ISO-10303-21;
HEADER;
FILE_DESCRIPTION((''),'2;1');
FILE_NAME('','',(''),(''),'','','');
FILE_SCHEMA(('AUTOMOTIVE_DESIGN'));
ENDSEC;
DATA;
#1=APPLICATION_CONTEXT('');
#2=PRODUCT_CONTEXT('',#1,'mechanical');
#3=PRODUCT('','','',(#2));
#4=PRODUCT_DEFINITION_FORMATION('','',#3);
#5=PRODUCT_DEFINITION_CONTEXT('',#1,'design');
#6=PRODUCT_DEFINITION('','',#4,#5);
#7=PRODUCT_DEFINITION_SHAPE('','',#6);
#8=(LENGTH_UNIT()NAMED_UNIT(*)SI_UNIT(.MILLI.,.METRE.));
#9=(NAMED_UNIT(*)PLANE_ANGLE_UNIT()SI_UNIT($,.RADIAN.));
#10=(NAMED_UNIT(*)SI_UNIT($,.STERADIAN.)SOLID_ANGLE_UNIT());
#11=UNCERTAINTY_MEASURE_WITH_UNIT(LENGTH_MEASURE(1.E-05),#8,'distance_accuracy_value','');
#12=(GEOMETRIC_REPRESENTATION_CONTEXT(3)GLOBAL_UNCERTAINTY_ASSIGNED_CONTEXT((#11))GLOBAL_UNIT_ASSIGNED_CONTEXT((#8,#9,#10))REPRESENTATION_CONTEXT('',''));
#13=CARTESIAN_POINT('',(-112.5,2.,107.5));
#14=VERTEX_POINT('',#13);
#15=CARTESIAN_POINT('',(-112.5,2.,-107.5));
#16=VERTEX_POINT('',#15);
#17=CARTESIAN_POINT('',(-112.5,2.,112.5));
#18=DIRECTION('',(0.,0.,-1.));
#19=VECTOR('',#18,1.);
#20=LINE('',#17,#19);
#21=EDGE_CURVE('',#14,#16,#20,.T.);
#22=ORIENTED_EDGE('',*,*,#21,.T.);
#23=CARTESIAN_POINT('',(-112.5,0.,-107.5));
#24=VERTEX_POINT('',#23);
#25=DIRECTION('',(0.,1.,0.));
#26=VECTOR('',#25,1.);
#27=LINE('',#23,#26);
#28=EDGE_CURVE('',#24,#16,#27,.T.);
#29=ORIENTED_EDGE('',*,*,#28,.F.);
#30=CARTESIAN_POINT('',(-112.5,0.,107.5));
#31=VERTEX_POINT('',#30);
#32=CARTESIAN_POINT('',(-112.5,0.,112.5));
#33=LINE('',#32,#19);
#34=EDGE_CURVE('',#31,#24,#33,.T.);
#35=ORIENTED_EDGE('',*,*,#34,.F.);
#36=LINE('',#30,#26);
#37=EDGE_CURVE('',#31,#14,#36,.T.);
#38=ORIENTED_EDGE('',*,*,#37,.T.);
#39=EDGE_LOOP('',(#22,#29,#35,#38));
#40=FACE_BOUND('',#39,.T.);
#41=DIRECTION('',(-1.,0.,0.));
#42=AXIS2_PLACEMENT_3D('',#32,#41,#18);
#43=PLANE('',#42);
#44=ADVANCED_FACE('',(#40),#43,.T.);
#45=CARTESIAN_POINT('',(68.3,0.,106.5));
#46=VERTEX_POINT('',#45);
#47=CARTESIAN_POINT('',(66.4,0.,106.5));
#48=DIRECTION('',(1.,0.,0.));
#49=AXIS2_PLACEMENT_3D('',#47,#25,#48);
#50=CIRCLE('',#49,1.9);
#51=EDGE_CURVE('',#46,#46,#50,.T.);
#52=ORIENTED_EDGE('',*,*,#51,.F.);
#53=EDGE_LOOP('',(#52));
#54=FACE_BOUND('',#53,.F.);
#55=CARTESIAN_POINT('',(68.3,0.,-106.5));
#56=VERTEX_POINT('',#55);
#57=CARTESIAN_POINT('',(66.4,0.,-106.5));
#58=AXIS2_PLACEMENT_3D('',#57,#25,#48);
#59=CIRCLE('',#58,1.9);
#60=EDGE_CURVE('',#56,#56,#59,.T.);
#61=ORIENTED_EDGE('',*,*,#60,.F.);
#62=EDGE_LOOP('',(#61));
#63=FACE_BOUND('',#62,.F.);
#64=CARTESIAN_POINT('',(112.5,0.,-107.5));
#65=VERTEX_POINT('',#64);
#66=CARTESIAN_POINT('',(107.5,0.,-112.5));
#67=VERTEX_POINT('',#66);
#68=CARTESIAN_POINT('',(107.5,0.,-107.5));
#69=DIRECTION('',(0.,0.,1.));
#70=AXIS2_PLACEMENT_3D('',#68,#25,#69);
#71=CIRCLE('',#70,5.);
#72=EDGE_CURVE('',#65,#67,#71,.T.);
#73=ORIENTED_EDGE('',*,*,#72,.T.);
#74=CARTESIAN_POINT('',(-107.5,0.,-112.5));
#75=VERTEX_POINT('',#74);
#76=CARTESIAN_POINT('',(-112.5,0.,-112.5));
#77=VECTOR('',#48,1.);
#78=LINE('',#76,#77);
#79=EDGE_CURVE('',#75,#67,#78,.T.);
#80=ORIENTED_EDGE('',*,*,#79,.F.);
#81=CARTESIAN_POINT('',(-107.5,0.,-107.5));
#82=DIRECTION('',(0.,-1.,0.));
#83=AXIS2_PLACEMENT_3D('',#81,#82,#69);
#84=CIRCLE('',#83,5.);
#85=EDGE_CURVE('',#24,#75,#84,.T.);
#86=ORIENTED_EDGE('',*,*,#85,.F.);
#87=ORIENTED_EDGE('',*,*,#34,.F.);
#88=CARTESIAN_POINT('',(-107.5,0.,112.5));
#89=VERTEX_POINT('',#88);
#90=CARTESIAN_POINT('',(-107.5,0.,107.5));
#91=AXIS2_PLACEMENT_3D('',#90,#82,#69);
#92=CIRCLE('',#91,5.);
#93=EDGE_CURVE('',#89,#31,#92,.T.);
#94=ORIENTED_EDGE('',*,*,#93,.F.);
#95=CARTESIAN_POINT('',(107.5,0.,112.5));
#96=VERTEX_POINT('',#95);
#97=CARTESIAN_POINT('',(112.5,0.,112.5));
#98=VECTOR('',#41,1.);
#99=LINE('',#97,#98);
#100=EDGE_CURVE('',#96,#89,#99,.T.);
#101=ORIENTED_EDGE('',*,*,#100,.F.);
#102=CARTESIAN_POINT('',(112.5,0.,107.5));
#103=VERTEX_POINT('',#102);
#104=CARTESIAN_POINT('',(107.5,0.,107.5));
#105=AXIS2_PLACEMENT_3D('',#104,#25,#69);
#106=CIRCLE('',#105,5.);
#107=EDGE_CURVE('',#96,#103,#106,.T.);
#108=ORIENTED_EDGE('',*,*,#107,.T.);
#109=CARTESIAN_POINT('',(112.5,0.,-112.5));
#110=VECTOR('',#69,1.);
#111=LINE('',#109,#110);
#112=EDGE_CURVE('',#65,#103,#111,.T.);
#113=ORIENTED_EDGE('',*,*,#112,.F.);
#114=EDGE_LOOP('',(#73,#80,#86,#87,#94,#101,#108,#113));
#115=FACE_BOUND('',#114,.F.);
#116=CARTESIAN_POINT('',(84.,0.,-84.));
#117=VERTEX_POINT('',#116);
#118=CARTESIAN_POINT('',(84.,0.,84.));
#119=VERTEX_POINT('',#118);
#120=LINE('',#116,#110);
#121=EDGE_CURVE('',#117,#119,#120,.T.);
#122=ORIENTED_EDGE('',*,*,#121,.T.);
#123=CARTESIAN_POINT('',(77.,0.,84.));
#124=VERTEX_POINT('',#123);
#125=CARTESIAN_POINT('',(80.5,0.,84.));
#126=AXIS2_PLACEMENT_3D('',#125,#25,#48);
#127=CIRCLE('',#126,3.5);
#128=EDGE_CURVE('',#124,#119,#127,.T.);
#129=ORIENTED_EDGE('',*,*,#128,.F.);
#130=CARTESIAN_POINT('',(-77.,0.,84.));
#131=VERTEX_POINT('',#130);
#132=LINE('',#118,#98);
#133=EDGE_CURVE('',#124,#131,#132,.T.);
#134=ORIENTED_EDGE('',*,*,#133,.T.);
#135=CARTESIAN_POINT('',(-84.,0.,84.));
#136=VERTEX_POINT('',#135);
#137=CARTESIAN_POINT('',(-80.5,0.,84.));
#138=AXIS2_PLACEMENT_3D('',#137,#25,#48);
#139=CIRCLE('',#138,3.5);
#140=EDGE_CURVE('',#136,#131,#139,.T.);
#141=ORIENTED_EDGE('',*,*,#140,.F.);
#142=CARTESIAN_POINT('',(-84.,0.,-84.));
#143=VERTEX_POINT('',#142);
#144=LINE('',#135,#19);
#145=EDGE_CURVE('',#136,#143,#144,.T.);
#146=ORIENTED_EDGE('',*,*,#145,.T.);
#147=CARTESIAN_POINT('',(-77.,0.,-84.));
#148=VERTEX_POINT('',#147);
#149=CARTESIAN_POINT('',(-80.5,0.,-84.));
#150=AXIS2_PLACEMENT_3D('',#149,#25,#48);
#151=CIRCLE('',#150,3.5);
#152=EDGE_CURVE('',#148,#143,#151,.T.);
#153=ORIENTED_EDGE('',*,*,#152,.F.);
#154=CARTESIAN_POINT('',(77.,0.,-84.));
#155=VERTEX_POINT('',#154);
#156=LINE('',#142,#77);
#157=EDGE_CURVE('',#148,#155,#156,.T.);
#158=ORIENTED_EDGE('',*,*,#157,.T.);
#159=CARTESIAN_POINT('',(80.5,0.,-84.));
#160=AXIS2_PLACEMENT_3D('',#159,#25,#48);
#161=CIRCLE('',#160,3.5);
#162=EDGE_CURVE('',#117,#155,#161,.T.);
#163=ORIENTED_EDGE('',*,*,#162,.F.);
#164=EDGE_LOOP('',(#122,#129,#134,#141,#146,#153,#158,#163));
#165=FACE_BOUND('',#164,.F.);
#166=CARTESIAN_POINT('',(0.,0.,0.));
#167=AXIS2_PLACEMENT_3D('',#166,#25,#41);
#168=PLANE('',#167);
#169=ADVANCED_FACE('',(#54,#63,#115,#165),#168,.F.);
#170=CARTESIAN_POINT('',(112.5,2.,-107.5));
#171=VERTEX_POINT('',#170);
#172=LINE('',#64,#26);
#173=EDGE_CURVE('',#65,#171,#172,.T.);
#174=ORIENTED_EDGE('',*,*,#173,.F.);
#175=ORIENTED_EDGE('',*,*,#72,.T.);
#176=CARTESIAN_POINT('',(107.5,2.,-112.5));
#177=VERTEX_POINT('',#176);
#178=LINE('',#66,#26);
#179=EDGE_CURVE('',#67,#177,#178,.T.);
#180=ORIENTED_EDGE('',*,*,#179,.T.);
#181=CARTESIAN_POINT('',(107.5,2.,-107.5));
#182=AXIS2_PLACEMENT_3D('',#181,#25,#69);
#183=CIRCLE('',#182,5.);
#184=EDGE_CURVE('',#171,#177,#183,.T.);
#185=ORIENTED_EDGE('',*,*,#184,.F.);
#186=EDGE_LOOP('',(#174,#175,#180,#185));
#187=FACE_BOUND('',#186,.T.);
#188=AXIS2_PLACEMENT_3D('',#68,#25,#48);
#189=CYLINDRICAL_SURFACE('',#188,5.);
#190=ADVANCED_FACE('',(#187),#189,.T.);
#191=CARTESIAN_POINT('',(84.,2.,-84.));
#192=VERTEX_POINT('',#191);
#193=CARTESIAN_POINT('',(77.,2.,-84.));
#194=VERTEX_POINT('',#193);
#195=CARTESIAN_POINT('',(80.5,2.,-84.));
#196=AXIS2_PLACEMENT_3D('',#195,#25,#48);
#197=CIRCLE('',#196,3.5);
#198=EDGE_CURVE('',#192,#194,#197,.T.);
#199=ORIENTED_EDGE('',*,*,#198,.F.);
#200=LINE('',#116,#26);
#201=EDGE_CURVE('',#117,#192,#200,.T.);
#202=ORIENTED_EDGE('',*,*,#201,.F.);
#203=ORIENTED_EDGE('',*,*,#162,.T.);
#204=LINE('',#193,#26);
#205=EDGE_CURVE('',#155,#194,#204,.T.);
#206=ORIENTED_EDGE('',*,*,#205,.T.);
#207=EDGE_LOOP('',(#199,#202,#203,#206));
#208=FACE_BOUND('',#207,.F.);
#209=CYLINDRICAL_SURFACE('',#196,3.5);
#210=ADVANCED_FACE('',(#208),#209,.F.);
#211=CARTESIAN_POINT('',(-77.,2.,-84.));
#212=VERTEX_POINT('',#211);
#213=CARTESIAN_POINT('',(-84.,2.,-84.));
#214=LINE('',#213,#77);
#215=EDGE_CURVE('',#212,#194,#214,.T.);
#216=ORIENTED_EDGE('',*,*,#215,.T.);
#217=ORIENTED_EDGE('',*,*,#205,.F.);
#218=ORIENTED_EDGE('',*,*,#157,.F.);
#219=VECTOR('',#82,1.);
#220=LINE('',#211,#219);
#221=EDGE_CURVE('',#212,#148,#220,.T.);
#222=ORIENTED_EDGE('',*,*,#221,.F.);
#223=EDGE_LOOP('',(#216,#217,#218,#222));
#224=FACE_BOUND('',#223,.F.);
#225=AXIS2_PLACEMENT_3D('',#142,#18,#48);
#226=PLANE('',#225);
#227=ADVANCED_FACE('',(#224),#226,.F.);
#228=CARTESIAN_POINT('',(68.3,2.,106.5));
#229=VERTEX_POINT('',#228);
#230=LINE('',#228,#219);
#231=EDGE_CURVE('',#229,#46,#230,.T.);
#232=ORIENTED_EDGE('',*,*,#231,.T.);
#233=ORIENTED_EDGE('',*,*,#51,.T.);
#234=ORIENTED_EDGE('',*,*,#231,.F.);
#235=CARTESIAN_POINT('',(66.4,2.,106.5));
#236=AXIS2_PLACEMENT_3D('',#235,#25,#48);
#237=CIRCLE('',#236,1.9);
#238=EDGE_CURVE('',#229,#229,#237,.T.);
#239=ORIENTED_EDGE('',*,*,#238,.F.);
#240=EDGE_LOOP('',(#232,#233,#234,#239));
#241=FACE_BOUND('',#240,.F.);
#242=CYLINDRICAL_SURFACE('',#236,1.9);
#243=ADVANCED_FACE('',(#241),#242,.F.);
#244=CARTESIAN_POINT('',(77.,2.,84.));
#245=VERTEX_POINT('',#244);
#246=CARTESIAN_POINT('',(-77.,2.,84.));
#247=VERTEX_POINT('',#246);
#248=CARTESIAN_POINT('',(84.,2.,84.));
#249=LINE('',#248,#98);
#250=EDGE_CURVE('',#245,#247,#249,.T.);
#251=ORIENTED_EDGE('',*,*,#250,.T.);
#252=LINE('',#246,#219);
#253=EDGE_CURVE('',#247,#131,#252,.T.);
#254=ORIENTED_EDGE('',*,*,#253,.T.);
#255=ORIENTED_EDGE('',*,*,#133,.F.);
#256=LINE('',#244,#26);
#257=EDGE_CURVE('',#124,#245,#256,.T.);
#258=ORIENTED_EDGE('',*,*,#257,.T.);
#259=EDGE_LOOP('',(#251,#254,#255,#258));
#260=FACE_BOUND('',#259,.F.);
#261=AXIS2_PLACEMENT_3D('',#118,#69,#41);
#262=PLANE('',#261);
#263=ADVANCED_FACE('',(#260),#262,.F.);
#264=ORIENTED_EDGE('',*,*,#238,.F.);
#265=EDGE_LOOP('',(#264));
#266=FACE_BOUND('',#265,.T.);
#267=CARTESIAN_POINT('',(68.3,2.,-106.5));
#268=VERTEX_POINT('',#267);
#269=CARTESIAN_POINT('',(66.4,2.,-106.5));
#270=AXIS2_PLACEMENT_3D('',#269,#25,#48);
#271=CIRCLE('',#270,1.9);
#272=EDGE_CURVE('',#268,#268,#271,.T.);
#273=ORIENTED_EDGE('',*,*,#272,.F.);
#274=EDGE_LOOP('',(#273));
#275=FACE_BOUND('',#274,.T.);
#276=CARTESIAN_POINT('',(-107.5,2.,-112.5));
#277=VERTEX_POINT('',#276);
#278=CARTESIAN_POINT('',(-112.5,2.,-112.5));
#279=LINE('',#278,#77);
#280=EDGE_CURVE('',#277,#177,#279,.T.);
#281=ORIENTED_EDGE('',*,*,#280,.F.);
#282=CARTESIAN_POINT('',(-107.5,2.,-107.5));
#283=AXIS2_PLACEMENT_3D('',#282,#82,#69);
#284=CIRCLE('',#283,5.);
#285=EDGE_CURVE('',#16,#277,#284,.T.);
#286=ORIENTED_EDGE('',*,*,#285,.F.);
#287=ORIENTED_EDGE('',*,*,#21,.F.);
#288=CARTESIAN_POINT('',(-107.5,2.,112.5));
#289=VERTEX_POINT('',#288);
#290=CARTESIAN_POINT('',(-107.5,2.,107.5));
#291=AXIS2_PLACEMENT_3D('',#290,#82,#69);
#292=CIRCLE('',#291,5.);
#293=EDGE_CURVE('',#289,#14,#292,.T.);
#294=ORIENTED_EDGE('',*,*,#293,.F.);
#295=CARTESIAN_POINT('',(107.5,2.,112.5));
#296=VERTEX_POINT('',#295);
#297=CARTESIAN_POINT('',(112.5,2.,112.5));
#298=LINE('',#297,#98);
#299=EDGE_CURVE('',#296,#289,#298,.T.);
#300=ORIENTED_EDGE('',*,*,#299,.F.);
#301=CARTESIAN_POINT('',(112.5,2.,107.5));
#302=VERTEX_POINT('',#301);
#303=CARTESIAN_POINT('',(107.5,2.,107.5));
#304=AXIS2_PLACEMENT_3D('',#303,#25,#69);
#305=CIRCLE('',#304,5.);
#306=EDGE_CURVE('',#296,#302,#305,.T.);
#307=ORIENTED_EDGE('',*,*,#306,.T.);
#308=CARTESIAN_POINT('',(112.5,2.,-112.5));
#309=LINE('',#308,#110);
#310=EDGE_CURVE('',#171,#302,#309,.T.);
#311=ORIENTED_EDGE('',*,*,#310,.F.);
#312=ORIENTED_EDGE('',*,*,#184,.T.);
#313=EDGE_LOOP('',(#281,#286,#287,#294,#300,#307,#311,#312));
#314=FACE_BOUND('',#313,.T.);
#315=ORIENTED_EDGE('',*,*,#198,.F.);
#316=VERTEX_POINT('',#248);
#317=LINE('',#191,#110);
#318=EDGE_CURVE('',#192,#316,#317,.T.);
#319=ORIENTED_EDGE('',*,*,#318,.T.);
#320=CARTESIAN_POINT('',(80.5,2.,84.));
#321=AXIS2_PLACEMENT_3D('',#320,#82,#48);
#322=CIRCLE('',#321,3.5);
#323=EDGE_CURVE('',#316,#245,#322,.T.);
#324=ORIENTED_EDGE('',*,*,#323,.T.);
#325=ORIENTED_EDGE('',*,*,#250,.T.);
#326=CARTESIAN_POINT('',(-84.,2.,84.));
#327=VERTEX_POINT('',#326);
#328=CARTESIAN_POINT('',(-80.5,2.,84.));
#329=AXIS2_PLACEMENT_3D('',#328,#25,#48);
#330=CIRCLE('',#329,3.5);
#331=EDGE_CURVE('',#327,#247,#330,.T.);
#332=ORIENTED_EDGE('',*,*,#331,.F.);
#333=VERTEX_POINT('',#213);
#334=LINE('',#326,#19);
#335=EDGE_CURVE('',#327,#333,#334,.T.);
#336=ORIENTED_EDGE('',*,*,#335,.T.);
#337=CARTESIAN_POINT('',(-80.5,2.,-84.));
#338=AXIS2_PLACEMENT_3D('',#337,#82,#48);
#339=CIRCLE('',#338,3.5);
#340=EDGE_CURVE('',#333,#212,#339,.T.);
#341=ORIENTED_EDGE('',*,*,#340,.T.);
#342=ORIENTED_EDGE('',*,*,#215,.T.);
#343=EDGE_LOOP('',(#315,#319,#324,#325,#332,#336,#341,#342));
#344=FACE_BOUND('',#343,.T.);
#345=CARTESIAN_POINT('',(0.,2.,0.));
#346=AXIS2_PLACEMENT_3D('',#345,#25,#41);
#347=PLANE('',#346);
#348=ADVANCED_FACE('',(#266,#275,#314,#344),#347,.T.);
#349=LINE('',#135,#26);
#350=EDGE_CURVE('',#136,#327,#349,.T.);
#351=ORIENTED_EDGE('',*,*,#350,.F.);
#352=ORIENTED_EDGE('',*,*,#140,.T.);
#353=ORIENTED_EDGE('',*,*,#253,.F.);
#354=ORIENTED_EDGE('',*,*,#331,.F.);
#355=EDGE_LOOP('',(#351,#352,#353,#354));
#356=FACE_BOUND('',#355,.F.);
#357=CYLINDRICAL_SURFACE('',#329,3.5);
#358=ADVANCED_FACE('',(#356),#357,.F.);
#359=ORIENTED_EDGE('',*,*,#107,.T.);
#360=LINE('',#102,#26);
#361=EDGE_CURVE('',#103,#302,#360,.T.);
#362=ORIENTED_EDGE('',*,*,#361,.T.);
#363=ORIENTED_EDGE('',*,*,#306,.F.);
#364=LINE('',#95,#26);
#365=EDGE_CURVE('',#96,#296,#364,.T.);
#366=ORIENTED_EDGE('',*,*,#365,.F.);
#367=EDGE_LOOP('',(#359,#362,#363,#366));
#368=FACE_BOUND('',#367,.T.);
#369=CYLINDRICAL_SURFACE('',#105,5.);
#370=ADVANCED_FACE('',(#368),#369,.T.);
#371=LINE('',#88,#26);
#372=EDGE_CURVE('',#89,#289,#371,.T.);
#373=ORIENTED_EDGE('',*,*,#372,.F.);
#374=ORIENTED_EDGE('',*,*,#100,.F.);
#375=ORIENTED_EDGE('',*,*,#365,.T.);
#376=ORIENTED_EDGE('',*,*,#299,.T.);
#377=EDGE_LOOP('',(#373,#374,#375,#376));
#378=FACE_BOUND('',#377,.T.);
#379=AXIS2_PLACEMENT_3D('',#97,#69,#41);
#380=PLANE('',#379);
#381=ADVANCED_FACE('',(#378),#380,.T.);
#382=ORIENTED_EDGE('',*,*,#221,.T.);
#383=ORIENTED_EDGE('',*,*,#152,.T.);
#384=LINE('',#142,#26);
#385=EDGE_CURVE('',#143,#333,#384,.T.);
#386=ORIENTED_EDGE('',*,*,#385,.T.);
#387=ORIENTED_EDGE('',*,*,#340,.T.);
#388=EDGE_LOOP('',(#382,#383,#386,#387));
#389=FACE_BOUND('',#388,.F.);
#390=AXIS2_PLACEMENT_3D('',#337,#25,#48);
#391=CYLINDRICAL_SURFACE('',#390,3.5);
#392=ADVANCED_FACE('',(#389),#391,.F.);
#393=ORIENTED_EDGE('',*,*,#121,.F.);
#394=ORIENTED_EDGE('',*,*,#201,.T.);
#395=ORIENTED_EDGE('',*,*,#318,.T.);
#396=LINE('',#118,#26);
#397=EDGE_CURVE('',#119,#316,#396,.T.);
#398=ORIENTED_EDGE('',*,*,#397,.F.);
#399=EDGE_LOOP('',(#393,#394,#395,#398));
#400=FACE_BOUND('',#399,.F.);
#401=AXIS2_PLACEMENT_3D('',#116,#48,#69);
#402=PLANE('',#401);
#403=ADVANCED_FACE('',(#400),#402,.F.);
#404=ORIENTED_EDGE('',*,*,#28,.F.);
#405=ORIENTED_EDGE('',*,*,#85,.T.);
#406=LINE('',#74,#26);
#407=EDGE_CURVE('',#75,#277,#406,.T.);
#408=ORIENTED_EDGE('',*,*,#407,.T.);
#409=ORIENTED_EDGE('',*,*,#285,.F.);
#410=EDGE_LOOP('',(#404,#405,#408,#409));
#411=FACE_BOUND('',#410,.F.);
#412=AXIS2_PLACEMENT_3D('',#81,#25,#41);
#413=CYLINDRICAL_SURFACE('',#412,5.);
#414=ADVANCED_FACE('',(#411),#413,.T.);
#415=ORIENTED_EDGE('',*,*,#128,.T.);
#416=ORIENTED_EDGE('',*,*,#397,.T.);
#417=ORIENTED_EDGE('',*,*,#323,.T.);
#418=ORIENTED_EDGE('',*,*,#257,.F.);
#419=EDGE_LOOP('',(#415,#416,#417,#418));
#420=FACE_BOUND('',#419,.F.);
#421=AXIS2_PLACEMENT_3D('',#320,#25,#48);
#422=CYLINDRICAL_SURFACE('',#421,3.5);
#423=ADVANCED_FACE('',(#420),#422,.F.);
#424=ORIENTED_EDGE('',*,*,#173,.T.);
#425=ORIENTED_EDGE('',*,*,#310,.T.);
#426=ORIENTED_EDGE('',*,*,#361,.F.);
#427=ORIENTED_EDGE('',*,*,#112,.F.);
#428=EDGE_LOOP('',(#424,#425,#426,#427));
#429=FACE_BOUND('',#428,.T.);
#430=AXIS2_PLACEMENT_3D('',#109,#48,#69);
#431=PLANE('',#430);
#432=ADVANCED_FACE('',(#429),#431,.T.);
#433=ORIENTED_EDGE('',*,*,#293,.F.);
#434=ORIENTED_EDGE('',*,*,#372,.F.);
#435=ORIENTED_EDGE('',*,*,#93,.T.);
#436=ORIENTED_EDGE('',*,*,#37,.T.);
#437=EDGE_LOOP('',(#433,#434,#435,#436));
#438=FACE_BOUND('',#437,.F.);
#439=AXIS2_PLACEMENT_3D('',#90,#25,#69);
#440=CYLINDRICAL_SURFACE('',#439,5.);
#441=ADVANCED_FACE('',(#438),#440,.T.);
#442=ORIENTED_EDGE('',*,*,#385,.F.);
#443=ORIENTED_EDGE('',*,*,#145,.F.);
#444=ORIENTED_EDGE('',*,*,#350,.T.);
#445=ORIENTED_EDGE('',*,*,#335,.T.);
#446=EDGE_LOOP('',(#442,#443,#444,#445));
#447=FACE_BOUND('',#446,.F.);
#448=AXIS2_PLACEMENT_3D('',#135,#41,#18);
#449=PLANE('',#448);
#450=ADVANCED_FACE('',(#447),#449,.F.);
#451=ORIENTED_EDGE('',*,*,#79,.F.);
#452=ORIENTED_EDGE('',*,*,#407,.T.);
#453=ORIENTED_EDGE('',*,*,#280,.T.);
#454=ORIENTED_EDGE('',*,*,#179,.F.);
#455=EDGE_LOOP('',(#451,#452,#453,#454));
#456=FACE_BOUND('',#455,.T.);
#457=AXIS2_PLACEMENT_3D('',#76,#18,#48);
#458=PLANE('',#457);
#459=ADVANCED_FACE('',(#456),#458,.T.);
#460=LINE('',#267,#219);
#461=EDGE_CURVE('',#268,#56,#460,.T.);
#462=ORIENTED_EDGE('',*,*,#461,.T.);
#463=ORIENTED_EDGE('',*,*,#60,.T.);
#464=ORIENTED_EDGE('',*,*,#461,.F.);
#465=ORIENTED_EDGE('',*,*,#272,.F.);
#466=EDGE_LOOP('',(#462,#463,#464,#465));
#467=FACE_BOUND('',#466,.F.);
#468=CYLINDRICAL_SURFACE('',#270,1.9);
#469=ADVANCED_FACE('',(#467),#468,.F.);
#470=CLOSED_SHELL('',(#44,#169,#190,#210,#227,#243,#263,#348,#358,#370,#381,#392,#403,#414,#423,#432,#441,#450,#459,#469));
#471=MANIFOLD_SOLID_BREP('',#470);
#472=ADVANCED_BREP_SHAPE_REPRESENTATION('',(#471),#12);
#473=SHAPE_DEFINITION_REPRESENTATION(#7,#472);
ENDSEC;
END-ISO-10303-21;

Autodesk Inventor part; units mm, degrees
ref_plane "YZ Plane" through (0, 0, 0) normal (1, 0, 0) x (0, 1, 0)
ref_plane "XZ Plane" through (0, 0, 0) normal (0, 1, 0) x (-1, 0, 0)
ref_plane "XY Plane" through (0, 0, 0) normal (0, 0, 1) x (1, 0, 0)
sketch "Sketch1" plane through (0, 0, 0) normal (0, 1, 0) x (-1, 0, 0)
  line L0 (-84, 84) -> (84, 84)
  line L1 (84, 84) -> (84, -84)
  line L2 (84, -84) -> (-84, -84)
  line L3 (-84, -84) -> (-84, 84)
  line L4 (-84, 84) -> (84, -84) construction
  line L5 (84, 84) -> (-84, -84) construction
  line L6 (-112.5, 112.5) -> (112.5, 112.5)
  line L7 (112.5, 112.5) -> (112.5, -112.5)
  line L8 (112.5, -112.5) -> (-112.5, -112.5)
  line L9 (-112.5, -112.5) -> (-112.5, 112.5)
  line L10 (-112.5, 112.5) -> (112.5, -112.5) construction
  line L11 (112.5, 112.5) -> (-112.5, -112.5) construction
  point P0 (0, 0)
  dimension "d0" = 168
  dimension "d1" = 168
  dimension "d2" = 225
  dimension "d3" = 225
extrude "Extrusion1" add sketch "Sketch1" along normal blind 2
sketch "Sketch2" plane through (0, 2, 0) normal (0, 1, 0) x (1, 0, 0)
  line L0 (0, 0) -> (-112.5, 0) construction
  line L1 (-112.5, 112.5) -> (-112.5, -112.5) projected
  circle A0 centre (66.4, -106.5) radius 1.9
  circle A1 centre (66.4, 106.5) radius 1.9
  dimension "d6" = 66.4
  dimension "d7" = 3.8
  dimension "d8" = 106.5
extrude "Extrusion2" cut sketch "Sketch2" against normal blind 2
fillet "Fillet1" radius 5 4 edges at (112.5, 1, -112.5) (112.5, 1, 112.5) (-112.5, 1, -112.5) (-112.5, 1, 112.5)
sketch "Sketch3" plane through (0, 2, 0) normal (0, 1, 0) x (1, 0, 0)
  line L0 (84, 84) -> (84, -84) projected
  circle A0 centre (80.5, -84) radius 3.5
  line L1 (-84, -84) -> (-84, 84) projected
  line L2 (0, 0) -> (-84, 0) construction
  line L3 (0, 0) -> (0, -84) construction
  line L4 (84, -84) -> (-84, -84) projected
  circle A1 centre (-80.5, -84) radius 3.5
  circle A2 centre (80.5, 84) radius 3.5
  circle A3 centre (-80.5, 84) radius 3.5
  point P0 (-84, -84)
  point P1 (-77, -84)
  dimension "d12" = 7
extrude "Extrusion3" cut sketch "Sketch3" against normal blind 2 contours A3 | A1 L4 | A0 L4 | L4 A0 | A2 picked at (-79.4331, -84.8214)
properties part number "Limiter"
